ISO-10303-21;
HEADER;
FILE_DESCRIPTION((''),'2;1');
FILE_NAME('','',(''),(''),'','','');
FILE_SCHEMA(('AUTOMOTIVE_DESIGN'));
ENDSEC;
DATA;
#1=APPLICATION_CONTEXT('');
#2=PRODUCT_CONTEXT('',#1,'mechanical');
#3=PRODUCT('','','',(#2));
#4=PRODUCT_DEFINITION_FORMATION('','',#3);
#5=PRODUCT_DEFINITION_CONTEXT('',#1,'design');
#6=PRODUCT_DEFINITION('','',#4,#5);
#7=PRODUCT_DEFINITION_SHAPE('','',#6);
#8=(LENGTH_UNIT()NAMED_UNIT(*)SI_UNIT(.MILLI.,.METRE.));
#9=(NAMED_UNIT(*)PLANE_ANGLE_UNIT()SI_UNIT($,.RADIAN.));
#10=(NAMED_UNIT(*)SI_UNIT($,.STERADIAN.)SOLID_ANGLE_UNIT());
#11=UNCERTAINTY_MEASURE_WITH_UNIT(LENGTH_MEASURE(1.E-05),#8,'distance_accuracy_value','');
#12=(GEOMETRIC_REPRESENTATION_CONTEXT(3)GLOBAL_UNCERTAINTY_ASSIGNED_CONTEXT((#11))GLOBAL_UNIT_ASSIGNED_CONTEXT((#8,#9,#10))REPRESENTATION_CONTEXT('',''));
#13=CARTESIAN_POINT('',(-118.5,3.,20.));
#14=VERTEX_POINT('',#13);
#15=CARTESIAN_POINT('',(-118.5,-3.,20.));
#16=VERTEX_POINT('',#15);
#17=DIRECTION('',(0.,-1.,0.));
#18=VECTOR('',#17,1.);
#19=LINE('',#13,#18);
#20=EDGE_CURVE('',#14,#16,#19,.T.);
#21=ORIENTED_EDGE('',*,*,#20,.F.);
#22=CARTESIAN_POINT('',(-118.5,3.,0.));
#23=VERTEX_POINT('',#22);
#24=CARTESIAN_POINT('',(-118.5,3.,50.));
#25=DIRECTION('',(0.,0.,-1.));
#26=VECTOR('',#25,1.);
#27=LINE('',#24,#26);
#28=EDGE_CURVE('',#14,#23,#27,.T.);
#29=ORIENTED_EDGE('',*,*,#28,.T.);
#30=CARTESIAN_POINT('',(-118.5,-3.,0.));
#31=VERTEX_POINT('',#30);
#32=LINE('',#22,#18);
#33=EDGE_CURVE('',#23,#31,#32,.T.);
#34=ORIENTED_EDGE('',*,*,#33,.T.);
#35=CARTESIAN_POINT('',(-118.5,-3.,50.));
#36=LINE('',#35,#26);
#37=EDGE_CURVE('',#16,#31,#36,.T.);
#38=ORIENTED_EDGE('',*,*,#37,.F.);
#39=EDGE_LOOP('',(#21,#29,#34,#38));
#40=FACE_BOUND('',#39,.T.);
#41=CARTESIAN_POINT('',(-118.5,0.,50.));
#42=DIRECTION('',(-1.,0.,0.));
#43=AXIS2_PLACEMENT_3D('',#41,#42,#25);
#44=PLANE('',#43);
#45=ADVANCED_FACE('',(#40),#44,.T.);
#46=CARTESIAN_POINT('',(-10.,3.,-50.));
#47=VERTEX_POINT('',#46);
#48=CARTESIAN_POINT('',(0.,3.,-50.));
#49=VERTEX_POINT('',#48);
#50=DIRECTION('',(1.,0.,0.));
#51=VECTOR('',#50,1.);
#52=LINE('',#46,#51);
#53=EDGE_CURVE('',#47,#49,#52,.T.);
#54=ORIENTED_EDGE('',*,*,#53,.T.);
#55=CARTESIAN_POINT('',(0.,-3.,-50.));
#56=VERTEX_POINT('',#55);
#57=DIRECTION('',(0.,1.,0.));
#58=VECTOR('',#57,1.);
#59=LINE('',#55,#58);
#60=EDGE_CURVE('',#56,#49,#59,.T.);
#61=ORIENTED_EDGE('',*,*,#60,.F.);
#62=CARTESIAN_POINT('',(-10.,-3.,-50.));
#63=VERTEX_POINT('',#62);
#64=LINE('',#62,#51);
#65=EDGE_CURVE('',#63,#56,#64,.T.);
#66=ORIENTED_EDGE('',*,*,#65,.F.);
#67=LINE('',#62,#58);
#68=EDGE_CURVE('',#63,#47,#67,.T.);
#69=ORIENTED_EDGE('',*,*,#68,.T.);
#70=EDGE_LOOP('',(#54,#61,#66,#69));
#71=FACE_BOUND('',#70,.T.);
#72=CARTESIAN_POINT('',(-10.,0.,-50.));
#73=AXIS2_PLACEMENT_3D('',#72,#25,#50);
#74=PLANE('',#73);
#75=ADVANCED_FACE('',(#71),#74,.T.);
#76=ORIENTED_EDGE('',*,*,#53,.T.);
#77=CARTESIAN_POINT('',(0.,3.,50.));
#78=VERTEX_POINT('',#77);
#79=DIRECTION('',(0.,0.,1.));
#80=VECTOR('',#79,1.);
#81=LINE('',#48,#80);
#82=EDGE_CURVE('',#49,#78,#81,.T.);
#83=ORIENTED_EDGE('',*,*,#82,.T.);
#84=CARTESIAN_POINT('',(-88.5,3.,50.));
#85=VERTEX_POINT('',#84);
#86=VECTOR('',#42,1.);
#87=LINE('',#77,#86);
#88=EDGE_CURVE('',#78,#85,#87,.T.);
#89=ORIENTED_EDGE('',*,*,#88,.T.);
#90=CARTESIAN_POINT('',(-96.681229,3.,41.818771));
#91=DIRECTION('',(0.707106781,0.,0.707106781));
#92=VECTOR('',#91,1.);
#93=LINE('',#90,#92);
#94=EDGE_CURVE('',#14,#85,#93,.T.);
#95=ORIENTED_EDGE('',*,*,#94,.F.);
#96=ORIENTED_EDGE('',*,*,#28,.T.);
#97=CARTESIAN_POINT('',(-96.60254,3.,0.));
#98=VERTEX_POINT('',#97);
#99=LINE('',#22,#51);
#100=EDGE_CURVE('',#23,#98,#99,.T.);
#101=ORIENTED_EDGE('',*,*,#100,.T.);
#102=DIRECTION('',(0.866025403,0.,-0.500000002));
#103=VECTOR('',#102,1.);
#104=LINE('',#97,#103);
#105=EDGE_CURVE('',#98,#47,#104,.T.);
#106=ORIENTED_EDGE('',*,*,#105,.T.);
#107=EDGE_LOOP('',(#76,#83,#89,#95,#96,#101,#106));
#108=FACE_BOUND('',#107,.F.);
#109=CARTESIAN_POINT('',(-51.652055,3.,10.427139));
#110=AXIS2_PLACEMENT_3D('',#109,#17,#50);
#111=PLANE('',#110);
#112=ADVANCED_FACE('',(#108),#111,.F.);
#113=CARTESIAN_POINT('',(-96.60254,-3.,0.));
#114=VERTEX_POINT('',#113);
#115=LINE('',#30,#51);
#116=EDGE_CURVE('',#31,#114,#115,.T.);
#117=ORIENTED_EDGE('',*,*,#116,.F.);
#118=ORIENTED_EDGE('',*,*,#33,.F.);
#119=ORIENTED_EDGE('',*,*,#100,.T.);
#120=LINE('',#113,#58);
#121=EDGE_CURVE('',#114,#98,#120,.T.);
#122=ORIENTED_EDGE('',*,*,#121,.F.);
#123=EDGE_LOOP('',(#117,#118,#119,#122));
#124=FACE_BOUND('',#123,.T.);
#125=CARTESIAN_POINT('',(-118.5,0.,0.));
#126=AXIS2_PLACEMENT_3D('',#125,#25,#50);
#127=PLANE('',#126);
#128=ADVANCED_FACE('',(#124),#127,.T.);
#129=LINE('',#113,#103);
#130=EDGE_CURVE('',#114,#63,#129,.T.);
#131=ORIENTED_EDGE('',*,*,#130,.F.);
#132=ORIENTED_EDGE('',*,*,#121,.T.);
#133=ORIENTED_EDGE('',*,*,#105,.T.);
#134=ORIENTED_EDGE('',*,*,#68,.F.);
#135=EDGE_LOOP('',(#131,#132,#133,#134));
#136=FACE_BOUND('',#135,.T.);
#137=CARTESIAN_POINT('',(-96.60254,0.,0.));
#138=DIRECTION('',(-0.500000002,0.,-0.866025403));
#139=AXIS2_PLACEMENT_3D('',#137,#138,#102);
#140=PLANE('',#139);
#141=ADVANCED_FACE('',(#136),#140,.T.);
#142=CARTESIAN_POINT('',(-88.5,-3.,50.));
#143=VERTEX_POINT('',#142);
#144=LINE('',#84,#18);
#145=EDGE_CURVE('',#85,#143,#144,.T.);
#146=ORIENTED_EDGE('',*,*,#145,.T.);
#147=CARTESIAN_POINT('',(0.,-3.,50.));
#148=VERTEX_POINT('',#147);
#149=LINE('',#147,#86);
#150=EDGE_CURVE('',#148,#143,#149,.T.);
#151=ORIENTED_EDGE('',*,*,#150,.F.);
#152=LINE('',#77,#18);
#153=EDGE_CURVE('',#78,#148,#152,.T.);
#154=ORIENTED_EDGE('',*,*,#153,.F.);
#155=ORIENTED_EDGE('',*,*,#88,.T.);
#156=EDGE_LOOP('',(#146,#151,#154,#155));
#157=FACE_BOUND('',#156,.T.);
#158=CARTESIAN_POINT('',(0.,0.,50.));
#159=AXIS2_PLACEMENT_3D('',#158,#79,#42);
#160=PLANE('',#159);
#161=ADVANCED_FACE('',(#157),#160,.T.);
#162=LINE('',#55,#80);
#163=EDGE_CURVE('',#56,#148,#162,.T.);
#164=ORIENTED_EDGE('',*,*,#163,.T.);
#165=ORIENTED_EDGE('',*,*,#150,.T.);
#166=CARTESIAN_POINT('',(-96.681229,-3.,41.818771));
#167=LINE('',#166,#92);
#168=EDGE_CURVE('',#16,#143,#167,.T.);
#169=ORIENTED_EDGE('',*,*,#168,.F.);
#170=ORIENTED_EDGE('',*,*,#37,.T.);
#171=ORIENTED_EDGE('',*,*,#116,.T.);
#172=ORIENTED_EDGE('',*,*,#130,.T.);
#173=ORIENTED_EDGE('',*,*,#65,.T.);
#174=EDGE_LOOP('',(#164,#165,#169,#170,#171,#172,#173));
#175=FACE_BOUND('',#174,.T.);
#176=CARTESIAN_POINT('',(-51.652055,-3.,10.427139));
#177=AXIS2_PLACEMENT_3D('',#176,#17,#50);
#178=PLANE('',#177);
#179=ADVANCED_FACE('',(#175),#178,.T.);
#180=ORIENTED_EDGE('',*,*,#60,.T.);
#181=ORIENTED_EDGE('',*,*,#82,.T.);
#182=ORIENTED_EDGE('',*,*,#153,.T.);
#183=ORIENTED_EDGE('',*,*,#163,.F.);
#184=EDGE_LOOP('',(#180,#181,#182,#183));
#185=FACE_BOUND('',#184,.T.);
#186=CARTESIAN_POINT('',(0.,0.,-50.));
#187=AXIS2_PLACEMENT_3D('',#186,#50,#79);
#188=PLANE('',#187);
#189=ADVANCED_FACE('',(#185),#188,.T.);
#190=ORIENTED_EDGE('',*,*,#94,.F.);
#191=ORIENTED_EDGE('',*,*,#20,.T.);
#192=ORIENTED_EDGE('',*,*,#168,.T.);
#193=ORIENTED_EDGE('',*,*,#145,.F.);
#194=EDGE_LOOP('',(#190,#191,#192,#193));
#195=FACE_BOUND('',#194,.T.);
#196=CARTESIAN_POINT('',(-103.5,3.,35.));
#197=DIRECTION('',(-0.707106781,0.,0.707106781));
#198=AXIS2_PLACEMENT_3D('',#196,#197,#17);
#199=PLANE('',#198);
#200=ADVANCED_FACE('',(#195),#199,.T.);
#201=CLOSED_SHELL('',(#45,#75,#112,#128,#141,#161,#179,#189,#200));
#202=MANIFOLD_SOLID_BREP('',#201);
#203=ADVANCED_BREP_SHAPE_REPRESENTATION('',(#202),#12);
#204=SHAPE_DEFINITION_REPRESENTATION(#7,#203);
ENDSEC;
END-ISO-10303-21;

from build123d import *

# Parameters (mm, degrees)
F1_DEPTH = 3
F2_SIZE  = 30


with BuildPart() as f1:
    # F0 (on Front) → F1 (new body, symmetric)
    with BuildSketch(Plane.XZ):
        Polygon((0, -50), (0, 50), (-118.5, 50), (-118.5, 0), (-96.60254, 0), (-10, -50), align=None)
    extrude(amount=F1_DEPTH, both=True)

    # F2
    f2_edges = [f1.edges().sort_by_distance(p)[0] for p in [
        (-118.5, 0, 50),
    ]]
    chamfer(f2_edges, length=F2_SIZE)


solid = f1.part
